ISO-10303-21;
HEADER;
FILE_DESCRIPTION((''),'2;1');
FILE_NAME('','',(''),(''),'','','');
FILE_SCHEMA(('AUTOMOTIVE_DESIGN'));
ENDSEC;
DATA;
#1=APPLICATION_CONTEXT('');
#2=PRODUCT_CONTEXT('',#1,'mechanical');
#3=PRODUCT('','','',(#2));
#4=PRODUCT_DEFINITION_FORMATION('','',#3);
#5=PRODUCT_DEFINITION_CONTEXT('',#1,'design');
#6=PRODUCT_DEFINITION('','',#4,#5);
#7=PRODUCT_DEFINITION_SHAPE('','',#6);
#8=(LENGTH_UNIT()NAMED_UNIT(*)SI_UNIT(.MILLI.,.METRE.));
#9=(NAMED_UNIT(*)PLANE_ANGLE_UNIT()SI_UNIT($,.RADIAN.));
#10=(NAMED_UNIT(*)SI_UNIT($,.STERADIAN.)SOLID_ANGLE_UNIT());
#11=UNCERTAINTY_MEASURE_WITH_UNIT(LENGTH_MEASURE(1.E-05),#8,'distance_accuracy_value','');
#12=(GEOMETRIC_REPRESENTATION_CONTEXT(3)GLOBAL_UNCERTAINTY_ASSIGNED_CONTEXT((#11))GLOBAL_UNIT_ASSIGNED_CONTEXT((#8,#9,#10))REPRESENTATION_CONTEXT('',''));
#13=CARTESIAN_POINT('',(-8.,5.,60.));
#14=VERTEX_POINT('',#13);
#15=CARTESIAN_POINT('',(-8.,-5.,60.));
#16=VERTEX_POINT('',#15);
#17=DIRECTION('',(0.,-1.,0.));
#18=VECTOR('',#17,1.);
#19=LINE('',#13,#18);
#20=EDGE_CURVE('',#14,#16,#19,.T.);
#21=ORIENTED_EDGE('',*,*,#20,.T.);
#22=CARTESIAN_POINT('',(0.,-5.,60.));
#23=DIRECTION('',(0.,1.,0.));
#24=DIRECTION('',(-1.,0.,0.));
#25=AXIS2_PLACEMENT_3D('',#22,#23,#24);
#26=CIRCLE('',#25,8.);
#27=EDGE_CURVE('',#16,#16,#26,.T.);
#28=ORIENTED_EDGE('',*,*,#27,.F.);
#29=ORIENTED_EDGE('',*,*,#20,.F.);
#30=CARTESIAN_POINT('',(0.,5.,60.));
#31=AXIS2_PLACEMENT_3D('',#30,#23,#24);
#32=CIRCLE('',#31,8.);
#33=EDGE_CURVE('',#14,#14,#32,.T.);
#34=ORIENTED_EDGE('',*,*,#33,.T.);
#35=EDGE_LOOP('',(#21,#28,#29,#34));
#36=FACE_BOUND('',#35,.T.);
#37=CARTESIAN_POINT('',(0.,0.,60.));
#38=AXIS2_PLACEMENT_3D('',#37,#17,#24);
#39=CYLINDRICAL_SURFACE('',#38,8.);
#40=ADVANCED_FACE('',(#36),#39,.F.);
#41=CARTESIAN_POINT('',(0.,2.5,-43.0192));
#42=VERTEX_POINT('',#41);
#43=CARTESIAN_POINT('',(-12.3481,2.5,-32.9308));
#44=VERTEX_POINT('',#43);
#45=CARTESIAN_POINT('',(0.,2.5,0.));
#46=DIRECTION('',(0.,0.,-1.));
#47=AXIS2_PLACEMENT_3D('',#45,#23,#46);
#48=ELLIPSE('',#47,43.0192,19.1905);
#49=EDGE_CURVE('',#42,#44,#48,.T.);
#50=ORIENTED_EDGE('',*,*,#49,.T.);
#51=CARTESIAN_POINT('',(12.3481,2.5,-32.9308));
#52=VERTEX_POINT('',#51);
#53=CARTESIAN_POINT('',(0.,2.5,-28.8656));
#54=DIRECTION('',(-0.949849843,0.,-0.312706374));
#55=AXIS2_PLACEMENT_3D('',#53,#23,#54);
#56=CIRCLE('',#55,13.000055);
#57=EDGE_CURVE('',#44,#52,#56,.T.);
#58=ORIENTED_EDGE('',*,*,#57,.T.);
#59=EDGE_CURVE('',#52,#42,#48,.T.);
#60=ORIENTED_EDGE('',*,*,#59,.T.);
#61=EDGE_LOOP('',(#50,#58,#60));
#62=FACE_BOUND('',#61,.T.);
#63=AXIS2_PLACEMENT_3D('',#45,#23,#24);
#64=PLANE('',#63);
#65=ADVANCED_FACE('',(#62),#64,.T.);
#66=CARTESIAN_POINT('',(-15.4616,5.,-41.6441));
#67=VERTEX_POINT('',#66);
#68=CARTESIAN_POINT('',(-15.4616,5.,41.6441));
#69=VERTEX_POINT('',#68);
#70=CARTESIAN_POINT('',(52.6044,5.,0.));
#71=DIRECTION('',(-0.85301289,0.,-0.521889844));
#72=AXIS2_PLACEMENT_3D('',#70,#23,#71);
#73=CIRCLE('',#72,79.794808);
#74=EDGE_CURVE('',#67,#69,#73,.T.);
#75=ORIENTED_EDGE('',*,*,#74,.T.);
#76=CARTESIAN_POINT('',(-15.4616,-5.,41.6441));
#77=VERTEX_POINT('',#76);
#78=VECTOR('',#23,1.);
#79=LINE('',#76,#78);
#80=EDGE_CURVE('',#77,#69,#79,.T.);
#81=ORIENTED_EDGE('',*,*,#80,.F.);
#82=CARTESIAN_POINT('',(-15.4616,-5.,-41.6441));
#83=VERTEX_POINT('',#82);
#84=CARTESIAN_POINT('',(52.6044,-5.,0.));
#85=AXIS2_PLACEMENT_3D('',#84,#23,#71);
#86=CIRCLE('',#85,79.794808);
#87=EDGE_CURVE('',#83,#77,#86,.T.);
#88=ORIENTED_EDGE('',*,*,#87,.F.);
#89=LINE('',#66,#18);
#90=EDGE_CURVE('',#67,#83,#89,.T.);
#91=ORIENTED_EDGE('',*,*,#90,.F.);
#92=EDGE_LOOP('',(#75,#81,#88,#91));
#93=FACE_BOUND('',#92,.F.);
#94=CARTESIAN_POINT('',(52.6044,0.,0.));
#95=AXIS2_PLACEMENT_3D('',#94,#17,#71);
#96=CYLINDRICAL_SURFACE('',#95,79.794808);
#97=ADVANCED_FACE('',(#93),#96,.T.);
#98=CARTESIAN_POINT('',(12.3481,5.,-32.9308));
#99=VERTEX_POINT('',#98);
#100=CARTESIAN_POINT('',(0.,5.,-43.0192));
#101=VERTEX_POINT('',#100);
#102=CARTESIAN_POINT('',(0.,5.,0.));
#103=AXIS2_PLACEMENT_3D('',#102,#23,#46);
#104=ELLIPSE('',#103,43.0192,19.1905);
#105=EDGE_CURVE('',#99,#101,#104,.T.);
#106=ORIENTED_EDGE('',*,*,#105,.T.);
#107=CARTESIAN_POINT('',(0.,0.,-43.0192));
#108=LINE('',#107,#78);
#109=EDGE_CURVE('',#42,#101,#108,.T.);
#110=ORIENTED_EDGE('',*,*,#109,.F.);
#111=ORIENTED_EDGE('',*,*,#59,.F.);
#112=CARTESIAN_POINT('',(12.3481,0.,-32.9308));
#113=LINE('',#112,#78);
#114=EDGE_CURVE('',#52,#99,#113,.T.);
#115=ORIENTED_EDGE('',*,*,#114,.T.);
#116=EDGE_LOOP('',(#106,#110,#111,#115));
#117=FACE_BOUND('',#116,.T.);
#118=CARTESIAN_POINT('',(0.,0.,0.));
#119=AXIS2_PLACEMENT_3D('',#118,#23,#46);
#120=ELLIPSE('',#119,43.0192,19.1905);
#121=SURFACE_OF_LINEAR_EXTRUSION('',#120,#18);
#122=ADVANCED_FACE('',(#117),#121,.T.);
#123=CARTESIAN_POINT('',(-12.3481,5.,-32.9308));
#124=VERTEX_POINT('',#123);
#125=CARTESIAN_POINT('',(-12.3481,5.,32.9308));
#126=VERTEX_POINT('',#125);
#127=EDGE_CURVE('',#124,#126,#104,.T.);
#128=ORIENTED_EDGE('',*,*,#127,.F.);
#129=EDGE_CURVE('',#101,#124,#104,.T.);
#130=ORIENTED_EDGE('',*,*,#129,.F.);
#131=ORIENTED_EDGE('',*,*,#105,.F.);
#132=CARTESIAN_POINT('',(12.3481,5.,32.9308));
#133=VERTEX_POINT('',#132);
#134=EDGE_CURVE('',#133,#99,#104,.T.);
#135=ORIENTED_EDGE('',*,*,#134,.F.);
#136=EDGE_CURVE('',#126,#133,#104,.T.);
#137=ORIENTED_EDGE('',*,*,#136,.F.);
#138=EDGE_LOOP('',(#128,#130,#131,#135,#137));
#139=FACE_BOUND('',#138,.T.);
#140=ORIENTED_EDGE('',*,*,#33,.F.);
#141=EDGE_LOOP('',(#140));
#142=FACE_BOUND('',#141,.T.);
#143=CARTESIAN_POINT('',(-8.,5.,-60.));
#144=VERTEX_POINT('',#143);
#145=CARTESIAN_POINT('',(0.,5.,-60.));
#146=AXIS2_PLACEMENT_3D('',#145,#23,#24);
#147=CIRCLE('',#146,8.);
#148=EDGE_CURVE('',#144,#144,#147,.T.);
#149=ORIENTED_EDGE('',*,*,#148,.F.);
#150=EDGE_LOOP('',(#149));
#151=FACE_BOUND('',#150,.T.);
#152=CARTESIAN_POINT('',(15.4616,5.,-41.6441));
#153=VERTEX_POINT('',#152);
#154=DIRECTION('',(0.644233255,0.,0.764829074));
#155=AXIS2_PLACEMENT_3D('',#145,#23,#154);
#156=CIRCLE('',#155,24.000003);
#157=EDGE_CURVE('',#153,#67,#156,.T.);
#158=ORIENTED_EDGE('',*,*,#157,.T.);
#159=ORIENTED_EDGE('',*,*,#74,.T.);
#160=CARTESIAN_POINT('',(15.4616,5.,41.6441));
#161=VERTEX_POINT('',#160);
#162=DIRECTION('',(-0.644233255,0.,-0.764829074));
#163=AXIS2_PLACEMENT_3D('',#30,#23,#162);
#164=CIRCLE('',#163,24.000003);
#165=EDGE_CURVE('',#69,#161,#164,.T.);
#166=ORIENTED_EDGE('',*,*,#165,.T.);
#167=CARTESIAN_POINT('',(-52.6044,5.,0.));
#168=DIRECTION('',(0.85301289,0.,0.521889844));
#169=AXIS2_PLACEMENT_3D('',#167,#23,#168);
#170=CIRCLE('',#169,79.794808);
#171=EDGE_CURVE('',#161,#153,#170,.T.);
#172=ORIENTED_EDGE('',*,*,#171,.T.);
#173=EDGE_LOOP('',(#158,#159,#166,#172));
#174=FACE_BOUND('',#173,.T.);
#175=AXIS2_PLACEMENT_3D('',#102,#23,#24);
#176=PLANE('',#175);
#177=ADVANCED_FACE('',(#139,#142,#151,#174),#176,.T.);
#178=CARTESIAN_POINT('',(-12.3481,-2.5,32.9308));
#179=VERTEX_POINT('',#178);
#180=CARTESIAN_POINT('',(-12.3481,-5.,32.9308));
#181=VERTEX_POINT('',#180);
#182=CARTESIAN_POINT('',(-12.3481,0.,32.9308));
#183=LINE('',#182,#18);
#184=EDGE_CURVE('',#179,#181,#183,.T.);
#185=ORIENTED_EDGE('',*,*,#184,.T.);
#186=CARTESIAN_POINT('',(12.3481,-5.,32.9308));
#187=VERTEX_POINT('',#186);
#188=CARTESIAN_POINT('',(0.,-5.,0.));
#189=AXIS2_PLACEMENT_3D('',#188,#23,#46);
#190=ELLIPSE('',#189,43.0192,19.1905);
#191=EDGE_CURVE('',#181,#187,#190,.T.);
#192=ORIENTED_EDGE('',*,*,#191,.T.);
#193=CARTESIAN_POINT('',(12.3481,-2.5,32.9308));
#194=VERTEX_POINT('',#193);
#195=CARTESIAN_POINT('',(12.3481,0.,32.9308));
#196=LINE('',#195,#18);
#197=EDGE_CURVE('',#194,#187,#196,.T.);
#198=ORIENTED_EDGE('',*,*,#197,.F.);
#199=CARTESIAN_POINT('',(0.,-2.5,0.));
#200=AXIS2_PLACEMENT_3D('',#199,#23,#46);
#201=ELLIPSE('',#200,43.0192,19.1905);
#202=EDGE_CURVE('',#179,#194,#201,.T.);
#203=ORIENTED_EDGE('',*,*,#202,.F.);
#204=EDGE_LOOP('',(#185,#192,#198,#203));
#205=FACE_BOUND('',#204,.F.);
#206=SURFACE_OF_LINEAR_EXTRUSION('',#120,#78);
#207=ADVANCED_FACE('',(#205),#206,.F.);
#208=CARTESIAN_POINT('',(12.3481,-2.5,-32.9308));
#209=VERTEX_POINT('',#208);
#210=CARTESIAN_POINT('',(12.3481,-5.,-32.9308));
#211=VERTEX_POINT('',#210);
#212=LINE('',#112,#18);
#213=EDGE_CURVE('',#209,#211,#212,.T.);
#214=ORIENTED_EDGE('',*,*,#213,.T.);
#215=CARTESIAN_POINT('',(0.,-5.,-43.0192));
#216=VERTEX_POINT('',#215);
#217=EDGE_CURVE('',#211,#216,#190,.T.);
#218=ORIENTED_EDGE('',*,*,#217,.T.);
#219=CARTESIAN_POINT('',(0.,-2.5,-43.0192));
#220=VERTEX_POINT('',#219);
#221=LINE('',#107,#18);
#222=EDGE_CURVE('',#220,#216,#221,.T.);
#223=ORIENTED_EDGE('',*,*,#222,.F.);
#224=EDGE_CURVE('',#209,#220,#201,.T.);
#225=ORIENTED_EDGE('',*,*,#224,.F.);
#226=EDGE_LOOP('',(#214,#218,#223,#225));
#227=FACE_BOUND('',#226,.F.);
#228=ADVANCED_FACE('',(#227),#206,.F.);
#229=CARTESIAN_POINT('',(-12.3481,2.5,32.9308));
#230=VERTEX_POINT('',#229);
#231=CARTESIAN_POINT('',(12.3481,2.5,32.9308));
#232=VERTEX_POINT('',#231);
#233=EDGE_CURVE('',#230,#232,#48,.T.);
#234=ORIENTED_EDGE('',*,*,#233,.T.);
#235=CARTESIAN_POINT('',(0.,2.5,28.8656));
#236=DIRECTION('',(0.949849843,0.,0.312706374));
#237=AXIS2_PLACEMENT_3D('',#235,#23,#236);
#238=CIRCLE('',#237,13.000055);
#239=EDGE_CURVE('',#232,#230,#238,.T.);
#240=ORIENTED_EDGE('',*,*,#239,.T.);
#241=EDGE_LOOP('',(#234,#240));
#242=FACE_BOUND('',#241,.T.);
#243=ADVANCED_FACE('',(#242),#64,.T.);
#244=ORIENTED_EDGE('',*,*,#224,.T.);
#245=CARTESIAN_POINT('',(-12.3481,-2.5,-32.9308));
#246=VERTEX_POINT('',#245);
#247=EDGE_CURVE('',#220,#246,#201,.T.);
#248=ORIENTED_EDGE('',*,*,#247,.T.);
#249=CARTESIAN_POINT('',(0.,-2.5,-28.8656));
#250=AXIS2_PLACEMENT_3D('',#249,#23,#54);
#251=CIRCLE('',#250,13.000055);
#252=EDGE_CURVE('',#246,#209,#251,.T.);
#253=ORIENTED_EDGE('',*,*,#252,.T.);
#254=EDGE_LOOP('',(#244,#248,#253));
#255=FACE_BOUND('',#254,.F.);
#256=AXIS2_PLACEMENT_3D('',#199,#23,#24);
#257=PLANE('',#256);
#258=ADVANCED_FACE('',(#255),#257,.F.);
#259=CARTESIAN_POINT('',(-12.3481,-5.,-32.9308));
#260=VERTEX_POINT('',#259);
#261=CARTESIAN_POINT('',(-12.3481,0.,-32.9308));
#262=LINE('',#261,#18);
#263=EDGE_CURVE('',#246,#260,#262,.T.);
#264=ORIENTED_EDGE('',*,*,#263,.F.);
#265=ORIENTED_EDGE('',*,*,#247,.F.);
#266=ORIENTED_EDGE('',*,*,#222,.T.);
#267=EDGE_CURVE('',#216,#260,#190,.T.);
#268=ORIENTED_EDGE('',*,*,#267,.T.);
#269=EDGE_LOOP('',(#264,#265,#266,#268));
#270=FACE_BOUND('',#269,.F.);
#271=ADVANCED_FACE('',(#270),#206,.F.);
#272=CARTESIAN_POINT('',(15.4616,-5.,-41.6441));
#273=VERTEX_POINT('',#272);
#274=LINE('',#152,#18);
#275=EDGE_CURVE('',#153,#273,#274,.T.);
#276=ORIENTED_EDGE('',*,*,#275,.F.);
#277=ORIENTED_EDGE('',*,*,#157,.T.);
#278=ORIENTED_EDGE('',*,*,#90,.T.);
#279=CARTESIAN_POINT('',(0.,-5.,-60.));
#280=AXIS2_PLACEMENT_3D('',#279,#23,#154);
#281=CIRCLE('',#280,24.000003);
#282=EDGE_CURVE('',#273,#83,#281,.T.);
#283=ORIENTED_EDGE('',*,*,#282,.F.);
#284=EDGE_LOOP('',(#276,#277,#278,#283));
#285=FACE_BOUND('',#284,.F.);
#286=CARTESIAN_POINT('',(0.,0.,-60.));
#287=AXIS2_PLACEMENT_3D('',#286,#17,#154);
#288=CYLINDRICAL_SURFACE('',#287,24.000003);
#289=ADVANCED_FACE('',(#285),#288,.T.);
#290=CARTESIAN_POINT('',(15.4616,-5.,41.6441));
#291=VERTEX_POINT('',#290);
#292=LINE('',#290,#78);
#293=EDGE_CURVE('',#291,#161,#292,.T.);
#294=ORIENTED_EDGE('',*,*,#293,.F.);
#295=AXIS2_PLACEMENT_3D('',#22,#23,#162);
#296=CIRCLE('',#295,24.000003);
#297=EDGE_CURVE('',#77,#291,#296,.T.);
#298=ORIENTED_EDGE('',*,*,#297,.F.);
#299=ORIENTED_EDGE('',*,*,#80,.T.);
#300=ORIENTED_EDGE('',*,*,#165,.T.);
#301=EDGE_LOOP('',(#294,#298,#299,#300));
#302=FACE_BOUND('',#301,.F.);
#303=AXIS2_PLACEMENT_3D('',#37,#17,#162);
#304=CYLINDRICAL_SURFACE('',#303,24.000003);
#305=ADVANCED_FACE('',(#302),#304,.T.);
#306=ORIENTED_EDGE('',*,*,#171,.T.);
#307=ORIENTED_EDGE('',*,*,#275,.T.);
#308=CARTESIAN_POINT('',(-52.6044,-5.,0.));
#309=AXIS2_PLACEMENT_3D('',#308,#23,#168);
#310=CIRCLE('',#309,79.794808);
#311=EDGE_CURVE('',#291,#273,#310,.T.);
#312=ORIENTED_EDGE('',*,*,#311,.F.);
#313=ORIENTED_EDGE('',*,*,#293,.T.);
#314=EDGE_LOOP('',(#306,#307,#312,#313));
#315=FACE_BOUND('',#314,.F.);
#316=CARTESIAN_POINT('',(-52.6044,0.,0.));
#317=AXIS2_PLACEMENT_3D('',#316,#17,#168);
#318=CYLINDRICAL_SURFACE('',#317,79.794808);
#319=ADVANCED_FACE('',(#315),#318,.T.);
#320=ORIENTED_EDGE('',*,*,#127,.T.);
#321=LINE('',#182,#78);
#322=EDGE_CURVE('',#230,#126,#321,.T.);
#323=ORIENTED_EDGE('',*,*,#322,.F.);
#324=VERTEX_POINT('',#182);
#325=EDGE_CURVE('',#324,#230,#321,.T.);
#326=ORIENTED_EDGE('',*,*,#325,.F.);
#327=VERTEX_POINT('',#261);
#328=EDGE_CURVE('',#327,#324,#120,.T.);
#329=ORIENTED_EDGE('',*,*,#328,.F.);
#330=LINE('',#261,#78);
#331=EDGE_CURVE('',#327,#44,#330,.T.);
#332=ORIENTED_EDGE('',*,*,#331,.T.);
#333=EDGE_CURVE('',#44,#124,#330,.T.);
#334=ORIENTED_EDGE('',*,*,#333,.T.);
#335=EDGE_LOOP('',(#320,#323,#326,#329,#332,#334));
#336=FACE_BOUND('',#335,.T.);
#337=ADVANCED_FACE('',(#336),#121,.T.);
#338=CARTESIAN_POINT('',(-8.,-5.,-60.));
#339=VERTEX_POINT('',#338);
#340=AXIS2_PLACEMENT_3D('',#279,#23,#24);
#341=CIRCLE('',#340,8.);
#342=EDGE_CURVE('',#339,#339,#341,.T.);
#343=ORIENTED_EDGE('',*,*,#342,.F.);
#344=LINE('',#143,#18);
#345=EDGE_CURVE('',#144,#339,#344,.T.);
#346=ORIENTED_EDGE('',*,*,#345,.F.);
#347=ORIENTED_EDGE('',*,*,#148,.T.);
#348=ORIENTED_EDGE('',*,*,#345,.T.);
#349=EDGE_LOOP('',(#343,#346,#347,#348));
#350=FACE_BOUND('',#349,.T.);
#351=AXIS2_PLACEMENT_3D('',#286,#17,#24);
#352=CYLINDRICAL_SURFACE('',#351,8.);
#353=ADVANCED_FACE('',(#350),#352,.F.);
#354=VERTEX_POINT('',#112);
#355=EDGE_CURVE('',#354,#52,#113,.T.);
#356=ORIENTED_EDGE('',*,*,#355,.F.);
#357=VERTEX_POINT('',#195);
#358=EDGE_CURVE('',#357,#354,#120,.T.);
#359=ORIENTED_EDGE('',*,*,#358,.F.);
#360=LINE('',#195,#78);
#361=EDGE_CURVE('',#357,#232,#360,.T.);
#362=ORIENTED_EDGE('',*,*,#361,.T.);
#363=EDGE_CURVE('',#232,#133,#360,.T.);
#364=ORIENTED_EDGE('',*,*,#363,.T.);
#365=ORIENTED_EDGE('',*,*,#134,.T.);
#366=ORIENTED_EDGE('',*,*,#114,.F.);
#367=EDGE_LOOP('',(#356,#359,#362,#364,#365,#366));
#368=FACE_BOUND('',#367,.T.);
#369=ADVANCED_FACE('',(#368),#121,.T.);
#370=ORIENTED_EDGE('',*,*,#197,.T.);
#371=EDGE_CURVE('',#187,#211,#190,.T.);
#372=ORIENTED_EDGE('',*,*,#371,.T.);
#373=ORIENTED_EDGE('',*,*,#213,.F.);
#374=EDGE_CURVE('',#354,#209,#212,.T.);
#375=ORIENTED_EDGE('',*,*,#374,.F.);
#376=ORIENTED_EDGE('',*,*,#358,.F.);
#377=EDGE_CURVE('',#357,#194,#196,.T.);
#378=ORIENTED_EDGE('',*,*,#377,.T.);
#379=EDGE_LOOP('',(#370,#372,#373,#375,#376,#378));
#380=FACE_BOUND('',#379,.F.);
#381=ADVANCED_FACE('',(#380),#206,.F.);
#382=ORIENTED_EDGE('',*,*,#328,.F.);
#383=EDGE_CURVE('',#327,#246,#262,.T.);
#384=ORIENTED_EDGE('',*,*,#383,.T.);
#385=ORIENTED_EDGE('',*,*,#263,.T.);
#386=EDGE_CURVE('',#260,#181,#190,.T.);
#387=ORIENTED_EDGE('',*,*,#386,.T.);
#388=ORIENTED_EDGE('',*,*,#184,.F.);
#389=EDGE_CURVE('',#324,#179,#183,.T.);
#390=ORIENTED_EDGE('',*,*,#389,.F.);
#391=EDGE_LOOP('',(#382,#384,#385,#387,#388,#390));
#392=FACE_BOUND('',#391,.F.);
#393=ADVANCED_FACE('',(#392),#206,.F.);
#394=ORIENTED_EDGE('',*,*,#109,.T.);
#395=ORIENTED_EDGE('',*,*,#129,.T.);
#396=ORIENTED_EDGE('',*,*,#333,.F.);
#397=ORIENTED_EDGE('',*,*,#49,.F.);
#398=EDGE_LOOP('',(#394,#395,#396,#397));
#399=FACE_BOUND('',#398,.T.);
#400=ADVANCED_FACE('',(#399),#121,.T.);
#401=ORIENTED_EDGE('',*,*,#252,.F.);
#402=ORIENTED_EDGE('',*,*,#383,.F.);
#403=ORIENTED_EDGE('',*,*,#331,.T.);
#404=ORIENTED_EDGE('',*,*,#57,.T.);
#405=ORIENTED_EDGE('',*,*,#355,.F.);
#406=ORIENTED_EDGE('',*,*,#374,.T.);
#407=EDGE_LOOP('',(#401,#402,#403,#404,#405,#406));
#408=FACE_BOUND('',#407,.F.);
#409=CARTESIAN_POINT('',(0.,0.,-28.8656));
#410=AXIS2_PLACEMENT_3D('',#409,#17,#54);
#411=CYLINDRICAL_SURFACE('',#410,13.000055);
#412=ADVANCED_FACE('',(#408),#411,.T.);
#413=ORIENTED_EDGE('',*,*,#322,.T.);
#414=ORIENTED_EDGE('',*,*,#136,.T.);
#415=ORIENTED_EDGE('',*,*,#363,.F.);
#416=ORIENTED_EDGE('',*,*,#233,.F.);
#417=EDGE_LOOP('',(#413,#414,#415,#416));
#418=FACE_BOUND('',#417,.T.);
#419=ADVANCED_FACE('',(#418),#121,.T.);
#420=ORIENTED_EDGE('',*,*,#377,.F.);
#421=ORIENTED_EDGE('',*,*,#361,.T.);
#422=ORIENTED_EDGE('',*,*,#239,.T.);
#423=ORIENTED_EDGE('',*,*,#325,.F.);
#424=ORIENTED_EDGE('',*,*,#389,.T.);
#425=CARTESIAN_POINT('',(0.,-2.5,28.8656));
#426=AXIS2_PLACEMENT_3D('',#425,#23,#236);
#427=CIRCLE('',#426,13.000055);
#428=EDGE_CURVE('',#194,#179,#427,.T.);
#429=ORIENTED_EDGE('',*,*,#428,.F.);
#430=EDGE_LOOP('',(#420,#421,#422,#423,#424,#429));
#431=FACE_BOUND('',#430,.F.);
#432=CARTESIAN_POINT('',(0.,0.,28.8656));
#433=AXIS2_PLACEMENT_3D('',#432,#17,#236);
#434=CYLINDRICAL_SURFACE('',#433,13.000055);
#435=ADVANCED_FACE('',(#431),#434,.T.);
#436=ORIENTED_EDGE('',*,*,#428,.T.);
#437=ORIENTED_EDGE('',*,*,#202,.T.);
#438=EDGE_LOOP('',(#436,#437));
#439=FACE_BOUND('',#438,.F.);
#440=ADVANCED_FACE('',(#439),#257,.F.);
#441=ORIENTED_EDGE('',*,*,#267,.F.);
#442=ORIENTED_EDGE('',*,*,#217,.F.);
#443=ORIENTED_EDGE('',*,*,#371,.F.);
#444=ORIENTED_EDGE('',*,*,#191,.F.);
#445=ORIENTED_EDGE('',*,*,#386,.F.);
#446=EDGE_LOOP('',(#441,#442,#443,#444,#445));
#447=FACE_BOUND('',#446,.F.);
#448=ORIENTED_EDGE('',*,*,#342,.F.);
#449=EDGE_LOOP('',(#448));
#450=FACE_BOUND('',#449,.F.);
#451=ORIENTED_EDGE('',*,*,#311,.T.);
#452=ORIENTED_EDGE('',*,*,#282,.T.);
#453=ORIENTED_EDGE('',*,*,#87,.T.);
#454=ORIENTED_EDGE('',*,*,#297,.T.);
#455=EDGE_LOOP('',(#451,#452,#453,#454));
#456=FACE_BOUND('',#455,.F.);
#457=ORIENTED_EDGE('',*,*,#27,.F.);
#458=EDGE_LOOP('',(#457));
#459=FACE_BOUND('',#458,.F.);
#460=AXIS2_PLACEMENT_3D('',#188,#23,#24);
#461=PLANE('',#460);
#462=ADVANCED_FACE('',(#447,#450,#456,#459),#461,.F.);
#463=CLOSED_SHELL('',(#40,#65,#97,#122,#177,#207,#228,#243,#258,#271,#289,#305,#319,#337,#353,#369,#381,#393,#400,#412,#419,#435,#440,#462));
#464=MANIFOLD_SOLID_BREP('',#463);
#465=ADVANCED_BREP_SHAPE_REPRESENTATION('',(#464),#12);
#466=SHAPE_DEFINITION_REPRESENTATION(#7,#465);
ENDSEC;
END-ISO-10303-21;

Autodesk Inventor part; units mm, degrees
ref_plane "YZ Plane" through (0, 0, 0) normal (1, 0, 0) x (0, 1, 0)
ref_plane "XZ Plane" through (0, 0, 0) normal (0, 1, 0) x (-1, 0, 0)
ref_plane "XY Plane" through (0, 0, 0) normal (0, 0, 1) x (1, 0, 0)
sketch "Sketch1" plane through (0, 0, 0) normal (0, 1, 0) x (-1, 0, 0)
  circle A0 centre (0, 60) radius 8
  circle A1 centre (0, -60) radius 8
  arc A2 (15.4616, 41.6441) -> (-15.4616, 41.6441) centre (0, 60) ccw
  arc A3 (-15.4616, -41.6441) -> (15.4616, -41.6441) centre (0, -60) ccw
  arc A4 (15.4616, -41.6441) -> (15.4616, 41.6441) centre (-52.6044, 0) ccw
  arc A5 (-15.4616, 41.6441) -> (-15.4616, -41.6441) centre (52.6044, 0) ccw
  arc A6 (12.3481, -32.9308) -> (-12.3481, -32.9308) centre (0, -28.8656) ccw
  arc A7 (-12.3481, 32.9308) -> (12.3481, 32.9308) centre (0, 28.8656) ccw
  ellipse E0 centre (0, 0) end of major axis (0, -43.0192) minor radius 19.1905
  point P0 (12.3481, 32.9308)
  point P1 (-12.3481, 32.9308)
  dimension "d0" = 16
  dimension "d1" = 16
  dimension "d2" = 120
  dimension "d4" = 48
  dimension "d5" = 48
extrude "Extrusion4" add sketch "Sketch1" along normal mid plane 10
extrude "Extrusion5" add sketch "Sketch1" along normal mid plane 5 contours E0 A6 | A7 E0
properties part number "Part_A"
